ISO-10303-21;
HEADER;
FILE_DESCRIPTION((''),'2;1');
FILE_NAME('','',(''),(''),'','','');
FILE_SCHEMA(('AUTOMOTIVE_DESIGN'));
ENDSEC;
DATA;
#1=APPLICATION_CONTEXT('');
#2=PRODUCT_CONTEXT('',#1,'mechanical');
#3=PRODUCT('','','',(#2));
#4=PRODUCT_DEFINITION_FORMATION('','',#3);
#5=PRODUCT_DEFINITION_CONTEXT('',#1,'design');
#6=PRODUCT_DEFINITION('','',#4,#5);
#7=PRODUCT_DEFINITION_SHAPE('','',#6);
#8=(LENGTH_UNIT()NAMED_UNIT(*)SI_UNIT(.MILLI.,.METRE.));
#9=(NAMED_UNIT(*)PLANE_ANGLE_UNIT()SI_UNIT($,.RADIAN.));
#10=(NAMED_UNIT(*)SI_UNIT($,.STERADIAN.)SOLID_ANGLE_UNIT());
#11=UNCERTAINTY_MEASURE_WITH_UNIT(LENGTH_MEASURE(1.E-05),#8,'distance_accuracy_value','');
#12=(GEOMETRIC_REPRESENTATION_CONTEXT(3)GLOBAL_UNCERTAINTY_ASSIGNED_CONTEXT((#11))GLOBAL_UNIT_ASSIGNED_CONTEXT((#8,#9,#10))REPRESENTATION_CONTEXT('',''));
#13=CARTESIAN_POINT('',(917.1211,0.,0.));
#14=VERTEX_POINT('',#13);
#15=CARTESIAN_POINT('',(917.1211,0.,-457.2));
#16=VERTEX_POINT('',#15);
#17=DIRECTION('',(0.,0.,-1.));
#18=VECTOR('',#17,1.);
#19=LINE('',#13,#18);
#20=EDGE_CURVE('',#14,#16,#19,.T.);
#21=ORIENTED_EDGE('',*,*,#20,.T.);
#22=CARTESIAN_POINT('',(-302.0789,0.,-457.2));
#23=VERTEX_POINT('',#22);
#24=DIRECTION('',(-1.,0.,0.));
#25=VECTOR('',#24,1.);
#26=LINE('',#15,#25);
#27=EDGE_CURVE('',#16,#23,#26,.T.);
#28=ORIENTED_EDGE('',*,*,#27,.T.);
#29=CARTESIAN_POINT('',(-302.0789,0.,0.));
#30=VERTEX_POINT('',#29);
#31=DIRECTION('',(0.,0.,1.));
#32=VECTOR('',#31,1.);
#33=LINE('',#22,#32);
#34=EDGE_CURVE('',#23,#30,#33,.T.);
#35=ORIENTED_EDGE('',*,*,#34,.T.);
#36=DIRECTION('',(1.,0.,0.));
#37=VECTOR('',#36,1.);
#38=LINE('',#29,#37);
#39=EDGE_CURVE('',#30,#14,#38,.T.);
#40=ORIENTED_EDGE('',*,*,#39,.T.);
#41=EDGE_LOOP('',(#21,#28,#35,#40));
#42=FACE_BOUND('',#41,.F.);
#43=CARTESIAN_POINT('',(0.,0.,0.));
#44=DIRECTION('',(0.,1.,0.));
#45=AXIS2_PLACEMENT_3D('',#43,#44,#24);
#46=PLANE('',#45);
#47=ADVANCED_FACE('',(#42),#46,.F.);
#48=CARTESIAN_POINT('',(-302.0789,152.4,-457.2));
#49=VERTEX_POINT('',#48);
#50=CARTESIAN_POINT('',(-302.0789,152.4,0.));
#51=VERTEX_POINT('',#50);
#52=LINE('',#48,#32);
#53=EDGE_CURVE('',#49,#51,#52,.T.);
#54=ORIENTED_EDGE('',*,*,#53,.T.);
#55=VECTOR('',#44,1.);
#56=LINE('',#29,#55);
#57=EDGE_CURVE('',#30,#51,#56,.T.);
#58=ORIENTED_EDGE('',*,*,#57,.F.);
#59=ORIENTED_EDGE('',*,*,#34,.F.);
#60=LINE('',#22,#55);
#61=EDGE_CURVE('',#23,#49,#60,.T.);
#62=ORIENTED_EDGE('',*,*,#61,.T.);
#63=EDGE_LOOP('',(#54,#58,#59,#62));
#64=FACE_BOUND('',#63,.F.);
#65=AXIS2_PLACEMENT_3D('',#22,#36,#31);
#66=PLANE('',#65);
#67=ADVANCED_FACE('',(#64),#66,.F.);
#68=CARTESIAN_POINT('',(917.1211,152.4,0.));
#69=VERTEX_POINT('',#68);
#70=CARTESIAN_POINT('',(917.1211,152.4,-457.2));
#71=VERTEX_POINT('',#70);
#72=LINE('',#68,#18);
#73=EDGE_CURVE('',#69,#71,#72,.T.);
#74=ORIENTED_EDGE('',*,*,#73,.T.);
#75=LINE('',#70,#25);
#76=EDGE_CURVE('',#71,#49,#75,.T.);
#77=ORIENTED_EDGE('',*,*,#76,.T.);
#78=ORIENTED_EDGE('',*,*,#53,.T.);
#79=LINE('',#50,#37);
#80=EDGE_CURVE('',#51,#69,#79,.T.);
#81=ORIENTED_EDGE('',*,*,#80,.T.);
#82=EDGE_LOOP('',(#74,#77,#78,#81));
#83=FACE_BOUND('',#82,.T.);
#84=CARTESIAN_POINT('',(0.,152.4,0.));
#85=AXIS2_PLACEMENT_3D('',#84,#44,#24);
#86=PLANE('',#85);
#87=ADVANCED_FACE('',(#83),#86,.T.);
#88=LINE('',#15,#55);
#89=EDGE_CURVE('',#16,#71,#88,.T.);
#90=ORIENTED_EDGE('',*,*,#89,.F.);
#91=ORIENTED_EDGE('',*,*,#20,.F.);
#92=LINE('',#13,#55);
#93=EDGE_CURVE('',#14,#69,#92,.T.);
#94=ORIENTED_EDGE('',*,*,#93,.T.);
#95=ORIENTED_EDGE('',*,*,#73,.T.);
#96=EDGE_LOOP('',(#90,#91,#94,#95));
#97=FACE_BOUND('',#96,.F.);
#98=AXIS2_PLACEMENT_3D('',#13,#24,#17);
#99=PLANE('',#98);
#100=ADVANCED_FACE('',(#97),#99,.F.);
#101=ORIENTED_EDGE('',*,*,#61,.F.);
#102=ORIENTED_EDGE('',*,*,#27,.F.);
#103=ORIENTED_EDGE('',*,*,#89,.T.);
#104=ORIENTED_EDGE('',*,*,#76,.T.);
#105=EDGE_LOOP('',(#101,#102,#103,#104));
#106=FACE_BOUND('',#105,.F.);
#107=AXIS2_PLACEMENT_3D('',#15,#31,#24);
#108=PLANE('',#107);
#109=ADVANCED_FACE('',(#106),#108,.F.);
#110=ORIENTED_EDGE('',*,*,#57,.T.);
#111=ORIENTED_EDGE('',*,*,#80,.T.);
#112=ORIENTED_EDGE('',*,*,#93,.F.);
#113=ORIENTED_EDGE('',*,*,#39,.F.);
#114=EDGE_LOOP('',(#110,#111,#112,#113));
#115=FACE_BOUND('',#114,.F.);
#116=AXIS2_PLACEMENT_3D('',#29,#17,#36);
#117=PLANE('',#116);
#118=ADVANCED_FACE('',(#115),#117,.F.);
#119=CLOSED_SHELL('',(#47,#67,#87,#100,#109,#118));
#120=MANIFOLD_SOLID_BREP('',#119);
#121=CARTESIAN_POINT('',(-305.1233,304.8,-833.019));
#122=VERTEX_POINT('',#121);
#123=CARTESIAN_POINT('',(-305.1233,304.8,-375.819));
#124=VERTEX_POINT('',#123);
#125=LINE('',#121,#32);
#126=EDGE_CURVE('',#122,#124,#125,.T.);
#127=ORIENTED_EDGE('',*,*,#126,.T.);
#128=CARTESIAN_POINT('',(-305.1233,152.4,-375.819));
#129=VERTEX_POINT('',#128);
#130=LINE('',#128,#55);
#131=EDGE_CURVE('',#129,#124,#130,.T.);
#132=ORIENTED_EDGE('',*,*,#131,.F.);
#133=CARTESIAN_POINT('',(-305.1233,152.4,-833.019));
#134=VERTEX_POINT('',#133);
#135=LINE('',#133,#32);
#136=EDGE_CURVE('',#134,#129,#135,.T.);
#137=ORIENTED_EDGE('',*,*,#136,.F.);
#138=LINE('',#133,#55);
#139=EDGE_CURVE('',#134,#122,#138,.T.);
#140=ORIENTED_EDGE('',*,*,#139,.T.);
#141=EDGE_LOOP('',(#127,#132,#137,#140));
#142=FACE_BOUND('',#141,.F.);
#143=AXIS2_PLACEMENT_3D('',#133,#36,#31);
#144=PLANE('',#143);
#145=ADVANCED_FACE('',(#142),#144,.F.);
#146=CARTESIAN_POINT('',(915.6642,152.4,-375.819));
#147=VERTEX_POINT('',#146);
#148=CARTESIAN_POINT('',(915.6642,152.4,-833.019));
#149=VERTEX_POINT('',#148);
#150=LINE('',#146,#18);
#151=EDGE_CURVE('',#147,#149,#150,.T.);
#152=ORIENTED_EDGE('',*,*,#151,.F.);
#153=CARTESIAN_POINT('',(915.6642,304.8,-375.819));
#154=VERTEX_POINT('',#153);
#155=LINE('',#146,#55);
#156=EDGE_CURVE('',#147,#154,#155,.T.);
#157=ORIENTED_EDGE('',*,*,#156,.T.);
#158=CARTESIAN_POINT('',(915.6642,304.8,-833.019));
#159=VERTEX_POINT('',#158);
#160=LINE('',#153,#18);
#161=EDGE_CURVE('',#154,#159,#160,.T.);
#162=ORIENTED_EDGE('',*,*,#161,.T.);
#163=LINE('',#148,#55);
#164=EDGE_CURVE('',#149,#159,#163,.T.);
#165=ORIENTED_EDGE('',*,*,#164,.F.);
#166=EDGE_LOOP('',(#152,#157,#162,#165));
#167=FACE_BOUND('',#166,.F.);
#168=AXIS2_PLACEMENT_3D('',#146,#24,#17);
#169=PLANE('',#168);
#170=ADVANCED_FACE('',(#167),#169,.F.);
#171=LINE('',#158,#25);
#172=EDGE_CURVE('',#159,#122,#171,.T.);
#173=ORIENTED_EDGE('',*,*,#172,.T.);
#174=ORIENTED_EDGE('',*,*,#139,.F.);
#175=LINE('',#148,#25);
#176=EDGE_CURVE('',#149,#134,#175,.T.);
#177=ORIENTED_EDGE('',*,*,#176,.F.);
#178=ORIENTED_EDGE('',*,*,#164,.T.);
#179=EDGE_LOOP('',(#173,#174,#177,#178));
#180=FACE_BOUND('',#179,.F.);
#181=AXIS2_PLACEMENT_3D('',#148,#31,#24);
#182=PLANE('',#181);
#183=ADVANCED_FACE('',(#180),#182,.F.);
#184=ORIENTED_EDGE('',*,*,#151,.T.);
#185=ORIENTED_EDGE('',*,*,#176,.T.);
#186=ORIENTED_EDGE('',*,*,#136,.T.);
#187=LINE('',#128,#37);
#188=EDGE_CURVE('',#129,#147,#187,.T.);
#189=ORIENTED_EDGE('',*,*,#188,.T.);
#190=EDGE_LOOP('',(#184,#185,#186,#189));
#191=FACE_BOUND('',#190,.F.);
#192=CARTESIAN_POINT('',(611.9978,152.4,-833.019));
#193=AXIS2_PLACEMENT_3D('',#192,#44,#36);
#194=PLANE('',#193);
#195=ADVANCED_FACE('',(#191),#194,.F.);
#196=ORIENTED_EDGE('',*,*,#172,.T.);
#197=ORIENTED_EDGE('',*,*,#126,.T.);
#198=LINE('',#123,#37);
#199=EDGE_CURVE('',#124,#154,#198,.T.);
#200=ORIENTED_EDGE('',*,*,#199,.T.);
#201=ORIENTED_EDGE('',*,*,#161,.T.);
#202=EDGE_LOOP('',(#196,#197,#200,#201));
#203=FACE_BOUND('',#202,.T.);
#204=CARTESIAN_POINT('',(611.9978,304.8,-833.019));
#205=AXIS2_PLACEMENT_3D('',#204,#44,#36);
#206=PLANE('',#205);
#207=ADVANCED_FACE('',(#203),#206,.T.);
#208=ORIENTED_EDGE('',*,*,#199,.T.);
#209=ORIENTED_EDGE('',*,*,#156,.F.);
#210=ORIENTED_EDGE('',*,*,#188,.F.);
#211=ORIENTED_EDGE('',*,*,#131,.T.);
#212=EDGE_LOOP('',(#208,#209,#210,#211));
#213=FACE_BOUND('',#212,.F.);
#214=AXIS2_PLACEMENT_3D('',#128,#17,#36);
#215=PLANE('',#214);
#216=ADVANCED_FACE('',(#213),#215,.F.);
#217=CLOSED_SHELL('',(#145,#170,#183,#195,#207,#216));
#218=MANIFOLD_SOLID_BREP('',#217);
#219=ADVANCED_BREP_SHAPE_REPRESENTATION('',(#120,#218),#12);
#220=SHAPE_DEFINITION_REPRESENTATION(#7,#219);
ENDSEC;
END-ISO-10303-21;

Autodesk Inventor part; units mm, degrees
ref_plane "YZ Plane" through (0, 0, 0) normal (1, 0, 0) x (0, 1, 0)
ref_plane "XZ Plane" through (0, 0, 0) normal (0, 1, 0) x (-1, 0, 0)
ref_plane "XY Plane" through (0, 0, 0) normal (0, 0, 1) x (1, 0, 0)
sketch "Sketch1" plane through (0, 0, 0) normal (0, 1, 0) x (-1, 0, 0)
  line L0 (302.0789, 0) -> (-917.1211, 0)
  line L1 (-917.1211, 0) -> (-917.1211, -457.2)
  line L2 (-917.1211, -457.2) -> (302.0789, -457.2)
  line L3 (302.0789, -457.2) -> (302.0789, 0)
  point P0 (0, 0)
  dimension "d0" = 1219.2
  dimension "d1" = 457.2
extrude "Extrusion1" add sketch "Sketch1" along normal blind 152.4
sketch "Sketch2" plane through (611.9978, 152.4, -833.019) normal (0, 1, 0) x (1, 0, 0)
  line L0 (303.6664, 0) -> (-917.1211, 0)
  line L1 (-917.1211, 0) -> (-917.1211, -457.2)
  line L2 (-917.1211, -457.2) -> (303.6664, -457.2)
  line L3 (303.6664, -457.2) -> (303.6664, 0)
  point P0 (0, 0)
  dimension "d4" = 1220.7875
  dimension "d5" = 457.2
extrude "Extrusion2" add sketch "Sketch2" along normal blind 152.4 separate body
properties part number "Standard - Steps" material "Limestone"
